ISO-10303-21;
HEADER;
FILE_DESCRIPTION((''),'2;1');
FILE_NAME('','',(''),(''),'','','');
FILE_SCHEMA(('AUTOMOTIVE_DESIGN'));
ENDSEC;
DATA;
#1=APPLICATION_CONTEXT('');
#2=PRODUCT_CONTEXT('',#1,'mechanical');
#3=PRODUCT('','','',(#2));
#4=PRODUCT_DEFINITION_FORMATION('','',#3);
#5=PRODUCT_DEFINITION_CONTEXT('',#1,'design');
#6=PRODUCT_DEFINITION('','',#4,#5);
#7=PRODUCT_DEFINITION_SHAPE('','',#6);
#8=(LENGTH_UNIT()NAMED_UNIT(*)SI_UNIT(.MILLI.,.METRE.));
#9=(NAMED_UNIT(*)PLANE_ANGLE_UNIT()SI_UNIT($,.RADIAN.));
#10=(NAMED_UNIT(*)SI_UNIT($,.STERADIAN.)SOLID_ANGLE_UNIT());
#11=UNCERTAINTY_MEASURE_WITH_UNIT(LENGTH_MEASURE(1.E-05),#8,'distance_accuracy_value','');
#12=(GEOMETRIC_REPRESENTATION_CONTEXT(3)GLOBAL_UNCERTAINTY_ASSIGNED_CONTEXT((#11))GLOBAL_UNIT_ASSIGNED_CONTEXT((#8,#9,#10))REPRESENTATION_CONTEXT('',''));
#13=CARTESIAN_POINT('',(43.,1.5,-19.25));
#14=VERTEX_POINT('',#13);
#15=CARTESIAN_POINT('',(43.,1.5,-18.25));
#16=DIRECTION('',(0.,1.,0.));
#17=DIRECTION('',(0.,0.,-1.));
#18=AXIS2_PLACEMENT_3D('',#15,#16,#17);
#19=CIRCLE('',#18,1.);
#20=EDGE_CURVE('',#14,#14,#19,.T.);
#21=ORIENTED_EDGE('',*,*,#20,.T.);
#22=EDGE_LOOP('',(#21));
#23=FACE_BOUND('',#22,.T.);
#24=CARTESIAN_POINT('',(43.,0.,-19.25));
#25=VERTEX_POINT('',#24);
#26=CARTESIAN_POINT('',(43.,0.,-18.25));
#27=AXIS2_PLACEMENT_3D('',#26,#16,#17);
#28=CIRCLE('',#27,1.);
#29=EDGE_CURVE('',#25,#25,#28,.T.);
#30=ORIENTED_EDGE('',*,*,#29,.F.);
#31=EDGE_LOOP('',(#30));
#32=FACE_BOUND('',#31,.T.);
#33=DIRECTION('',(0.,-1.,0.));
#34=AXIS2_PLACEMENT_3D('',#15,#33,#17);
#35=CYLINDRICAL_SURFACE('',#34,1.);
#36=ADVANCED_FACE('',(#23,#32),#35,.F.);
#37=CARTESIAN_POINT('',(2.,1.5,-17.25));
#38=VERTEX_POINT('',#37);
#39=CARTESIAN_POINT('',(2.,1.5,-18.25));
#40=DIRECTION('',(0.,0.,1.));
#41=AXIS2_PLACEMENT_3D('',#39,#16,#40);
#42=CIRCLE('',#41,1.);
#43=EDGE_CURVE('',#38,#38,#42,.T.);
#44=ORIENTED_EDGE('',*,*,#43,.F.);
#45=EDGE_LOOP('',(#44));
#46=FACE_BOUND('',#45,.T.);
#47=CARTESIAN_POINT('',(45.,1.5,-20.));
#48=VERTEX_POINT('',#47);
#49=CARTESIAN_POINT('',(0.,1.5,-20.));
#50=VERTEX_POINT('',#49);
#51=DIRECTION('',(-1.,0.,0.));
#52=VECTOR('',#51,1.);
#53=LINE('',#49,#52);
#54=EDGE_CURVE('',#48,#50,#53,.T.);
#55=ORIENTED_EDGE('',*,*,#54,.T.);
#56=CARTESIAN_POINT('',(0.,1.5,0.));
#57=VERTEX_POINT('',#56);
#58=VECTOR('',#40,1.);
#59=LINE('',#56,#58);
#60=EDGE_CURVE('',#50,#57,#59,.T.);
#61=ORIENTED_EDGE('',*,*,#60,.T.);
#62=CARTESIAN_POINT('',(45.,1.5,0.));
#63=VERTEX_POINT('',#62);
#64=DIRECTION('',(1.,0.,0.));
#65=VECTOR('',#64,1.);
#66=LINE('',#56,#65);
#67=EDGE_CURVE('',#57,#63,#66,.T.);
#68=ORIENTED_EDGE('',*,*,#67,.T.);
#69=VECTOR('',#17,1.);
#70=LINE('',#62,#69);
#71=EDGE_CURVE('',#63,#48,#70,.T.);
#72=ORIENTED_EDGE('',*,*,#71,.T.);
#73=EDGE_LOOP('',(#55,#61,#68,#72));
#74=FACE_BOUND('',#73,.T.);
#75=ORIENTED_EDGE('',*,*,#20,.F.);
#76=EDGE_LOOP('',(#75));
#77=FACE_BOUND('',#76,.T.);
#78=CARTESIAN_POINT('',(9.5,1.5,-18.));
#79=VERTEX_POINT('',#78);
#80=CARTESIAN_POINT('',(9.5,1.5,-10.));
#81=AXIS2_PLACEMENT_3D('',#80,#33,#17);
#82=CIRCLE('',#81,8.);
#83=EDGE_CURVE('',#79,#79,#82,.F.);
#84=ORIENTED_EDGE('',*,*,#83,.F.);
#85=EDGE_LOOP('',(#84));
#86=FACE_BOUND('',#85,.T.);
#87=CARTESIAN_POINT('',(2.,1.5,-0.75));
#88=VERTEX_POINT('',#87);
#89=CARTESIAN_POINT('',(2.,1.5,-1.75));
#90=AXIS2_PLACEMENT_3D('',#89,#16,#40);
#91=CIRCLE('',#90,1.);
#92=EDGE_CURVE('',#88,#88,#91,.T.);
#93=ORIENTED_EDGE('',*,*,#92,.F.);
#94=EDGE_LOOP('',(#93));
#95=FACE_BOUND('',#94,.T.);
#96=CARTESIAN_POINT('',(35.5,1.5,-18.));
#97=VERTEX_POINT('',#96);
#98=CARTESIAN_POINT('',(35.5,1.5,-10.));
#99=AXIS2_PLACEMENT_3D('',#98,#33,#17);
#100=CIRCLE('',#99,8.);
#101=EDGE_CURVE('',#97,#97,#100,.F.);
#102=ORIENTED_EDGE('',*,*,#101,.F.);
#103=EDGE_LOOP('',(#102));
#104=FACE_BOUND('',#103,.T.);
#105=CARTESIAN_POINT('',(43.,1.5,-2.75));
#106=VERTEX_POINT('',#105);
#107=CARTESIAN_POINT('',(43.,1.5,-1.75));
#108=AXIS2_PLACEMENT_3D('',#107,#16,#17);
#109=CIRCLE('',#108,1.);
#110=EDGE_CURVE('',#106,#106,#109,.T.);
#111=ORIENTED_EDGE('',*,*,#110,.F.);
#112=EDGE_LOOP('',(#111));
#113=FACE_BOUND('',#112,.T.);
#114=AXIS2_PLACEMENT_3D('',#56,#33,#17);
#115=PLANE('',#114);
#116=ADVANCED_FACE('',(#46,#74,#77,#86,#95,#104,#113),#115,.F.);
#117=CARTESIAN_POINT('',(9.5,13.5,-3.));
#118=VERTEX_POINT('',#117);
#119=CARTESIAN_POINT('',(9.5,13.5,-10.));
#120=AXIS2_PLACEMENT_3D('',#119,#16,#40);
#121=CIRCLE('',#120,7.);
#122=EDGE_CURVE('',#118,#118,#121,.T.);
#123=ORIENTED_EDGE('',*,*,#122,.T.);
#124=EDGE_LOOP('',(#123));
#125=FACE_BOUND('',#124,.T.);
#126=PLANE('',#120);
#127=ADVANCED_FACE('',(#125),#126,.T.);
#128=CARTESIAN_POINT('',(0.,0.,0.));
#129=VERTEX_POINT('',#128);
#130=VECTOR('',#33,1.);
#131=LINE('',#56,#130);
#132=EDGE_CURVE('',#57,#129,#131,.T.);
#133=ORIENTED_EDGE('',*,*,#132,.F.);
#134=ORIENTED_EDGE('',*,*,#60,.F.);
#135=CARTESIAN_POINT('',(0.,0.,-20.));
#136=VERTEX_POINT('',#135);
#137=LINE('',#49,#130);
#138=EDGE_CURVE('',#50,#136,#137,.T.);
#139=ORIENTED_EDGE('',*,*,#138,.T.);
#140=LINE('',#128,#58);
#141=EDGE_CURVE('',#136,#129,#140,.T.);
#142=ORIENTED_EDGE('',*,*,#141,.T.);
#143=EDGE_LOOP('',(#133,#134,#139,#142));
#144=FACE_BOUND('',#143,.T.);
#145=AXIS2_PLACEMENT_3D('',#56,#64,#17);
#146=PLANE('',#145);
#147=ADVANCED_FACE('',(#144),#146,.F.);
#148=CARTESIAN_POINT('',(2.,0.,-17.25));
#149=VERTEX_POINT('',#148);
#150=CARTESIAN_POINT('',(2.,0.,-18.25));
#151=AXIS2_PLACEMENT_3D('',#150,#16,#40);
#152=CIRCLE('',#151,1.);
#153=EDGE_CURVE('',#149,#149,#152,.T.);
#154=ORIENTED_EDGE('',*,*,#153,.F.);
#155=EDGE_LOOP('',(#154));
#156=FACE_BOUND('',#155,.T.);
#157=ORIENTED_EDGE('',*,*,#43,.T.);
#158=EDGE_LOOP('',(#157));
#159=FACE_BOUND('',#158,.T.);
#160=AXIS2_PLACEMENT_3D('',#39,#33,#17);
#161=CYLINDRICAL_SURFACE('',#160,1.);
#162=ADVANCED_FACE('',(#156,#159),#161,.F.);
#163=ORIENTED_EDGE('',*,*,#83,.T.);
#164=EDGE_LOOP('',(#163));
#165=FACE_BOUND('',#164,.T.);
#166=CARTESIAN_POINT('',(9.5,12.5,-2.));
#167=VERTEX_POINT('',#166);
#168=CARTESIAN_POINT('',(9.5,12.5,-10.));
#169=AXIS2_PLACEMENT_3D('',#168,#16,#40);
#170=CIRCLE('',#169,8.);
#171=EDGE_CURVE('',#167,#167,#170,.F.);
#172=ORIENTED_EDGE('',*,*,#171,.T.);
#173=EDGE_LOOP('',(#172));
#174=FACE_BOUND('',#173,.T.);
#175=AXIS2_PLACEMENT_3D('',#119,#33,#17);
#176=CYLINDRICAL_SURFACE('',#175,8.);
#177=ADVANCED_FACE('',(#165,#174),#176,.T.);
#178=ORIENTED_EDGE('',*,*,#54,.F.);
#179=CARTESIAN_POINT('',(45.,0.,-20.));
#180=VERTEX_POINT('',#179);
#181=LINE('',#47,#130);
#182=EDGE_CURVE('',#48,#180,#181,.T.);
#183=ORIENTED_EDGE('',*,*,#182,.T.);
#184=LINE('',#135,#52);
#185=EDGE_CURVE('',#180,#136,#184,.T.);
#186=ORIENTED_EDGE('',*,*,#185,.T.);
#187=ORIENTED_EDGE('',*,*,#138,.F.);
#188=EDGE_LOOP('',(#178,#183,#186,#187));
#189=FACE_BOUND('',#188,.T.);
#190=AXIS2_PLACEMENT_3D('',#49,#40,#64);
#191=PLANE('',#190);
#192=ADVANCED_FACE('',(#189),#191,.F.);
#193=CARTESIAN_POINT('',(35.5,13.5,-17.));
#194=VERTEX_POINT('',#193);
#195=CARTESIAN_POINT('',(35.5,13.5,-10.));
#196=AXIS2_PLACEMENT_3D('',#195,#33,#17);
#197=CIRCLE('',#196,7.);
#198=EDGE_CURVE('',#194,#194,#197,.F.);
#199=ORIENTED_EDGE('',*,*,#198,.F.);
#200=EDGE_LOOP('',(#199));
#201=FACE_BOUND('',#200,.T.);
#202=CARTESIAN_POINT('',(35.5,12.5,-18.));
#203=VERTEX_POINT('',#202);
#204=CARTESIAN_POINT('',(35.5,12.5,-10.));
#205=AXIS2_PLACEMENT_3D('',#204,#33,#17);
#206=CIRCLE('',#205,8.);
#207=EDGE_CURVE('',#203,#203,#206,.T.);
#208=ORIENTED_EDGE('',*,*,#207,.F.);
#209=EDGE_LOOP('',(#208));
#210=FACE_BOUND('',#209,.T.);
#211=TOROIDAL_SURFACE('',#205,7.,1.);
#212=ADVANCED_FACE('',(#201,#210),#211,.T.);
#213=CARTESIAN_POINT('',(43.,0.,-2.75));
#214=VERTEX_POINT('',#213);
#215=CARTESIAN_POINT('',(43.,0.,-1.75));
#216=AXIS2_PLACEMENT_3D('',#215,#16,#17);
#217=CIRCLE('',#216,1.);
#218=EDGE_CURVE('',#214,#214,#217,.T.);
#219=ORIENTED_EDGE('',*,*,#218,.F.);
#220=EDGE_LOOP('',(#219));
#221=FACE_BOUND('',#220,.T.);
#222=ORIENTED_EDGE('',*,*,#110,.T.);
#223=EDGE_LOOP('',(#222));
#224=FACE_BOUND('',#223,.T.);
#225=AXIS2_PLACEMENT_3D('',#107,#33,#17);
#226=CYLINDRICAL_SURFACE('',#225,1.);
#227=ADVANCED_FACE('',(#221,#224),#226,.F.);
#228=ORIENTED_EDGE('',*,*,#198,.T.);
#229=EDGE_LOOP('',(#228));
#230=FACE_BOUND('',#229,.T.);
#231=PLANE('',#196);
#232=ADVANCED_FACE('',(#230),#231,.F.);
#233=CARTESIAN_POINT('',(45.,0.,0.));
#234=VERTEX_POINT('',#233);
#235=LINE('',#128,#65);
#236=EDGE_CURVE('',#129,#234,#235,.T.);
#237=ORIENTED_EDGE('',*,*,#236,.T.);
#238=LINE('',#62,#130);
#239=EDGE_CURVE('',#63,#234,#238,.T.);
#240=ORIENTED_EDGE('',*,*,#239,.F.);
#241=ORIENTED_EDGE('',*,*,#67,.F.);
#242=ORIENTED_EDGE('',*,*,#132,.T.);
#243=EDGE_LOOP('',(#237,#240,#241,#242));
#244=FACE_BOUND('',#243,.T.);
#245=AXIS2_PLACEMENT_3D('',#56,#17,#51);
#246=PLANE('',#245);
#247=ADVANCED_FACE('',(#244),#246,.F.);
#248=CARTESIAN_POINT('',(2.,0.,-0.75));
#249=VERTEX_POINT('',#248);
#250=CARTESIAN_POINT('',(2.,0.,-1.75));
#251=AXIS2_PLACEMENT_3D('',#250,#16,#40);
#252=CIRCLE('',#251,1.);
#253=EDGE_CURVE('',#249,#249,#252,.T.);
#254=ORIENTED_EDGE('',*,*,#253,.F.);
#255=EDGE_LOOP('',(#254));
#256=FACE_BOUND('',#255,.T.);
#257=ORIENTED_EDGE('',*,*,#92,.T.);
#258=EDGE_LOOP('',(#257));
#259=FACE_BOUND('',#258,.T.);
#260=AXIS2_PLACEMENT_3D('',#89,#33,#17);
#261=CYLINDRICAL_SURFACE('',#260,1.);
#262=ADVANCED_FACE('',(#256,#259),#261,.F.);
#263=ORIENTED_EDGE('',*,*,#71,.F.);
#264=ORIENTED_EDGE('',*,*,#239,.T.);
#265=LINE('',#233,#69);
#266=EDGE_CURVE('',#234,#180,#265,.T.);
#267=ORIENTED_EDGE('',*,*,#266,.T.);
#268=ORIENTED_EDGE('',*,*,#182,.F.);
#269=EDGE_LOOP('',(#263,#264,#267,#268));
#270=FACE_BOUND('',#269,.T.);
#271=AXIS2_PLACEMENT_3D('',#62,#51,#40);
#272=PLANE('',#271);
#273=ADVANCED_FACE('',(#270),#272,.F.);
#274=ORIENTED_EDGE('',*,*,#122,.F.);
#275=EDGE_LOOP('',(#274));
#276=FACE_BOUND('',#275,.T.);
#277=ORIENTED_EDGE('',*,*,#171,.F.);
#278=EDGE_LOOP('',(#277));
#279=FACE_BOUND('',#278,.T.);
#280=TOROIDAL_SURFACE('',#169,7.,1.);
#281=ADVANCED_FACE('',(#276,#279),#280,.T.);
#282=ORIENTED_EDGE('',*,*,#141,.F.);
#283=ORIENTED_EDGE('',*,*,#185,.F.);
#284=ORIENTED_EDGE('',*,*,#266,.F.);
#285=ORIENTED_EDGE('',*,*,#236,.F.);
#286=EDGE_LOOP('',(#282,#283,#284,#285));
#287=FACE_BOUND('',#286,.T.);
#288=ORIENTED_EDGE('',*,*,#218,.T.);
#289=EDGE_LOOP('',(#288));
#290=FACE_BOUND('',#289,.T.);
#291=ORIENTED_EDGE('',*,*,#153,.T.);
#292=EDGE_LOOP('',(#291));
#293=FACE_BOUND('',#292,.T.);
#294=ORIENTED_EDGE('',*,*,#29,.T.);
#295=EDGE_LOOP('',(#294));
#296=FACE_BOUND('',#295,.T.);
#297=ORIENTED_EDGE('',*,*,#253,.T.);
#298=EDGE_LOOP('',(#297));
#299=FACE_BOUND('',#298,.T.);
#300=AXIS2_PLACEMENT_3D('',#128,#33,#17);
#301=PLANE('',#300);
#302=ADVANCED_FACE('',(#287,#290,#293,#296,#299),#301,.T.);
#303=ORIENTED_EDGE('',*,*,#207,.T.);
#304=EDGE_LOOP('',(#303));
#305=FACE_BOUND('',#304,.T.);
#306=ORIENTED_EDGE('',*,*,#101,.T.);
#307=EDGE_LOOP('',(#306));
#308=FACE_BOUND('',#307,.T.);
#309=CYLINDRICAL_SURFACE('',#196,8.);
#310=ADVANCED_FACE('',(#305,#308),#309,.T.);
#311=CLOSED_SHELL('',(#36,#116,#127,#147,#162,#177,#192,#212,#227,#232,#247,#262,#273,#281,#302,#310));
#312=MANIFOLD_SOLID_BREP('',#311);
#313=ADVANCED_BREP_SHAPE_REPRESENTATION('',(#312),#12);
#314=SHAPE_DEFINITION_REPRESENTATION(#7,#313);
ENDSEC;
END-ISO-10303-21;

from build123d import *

# Parameters (mm, degrees)
SKETCH1_W           = 45
SKETCH1_H           = 20
SKETCH1_R           = 1
BOSS_EXTRUDE1_DEPTH = 1.5
SKETCH2_R           = 8
BOSS_EXTRUDE2_DEPTH = 12
FILLET1_R           = 1


with BuildPart() as part:
    # Sketch1 → Boss-Extrude1 (new body)
    with BuildSketch(Plane(origin=(0, 0, 0), x_dir=(1, 0, 0), z_dir=(0, 1, 0))):
        with Locations((22.5, 10)):
            Rectangle(SKETCH1_W, SKETCH1_H)
        with Locations((2, 18.25)):
            Circle(SKETCH1_R, mode=Mode.SUBTRACT)
        with Locations((2, 1.75)):
            Circle(SKETCH1_R, mode=Mode.SUBTRACT)
        with Locations((43, 1.75)):
            Circle(SKETCH1_R, mode=Mode.SUBTRACT)
        with Locations((43, 18.25)):
            Circle(SKETCH1_R, mode=Mode.SUBTRACT)
    extrude(amount=BOSS_EXTRUDE1_DEPTH)

    # Sketch2 → Boss-Extrude2 (add)
    with BuildSketch(Plane(origin=(0, 1.5, 0), x_dir=(1, 0, 0), z_dir=(0, 1, 0))):
        with Locations((9.5, 10)):
            Circle(SKETCH2_R)
        with Locations((35.5, 10)):
            Circle(SKETCH2_R)
    extrude(amount=BOSS_EXTRUDE2_DEPTH)

    # Fillet1
    fillet1_edges = [part.edges().sort_by_distance(p)[0] for p in [
        (1.5, 13.5, -10),
        (27.5, 13.5, -10),
    ]]
    fillet(fillet1_edges, radius=FILLET1_R)


solid = part.part
